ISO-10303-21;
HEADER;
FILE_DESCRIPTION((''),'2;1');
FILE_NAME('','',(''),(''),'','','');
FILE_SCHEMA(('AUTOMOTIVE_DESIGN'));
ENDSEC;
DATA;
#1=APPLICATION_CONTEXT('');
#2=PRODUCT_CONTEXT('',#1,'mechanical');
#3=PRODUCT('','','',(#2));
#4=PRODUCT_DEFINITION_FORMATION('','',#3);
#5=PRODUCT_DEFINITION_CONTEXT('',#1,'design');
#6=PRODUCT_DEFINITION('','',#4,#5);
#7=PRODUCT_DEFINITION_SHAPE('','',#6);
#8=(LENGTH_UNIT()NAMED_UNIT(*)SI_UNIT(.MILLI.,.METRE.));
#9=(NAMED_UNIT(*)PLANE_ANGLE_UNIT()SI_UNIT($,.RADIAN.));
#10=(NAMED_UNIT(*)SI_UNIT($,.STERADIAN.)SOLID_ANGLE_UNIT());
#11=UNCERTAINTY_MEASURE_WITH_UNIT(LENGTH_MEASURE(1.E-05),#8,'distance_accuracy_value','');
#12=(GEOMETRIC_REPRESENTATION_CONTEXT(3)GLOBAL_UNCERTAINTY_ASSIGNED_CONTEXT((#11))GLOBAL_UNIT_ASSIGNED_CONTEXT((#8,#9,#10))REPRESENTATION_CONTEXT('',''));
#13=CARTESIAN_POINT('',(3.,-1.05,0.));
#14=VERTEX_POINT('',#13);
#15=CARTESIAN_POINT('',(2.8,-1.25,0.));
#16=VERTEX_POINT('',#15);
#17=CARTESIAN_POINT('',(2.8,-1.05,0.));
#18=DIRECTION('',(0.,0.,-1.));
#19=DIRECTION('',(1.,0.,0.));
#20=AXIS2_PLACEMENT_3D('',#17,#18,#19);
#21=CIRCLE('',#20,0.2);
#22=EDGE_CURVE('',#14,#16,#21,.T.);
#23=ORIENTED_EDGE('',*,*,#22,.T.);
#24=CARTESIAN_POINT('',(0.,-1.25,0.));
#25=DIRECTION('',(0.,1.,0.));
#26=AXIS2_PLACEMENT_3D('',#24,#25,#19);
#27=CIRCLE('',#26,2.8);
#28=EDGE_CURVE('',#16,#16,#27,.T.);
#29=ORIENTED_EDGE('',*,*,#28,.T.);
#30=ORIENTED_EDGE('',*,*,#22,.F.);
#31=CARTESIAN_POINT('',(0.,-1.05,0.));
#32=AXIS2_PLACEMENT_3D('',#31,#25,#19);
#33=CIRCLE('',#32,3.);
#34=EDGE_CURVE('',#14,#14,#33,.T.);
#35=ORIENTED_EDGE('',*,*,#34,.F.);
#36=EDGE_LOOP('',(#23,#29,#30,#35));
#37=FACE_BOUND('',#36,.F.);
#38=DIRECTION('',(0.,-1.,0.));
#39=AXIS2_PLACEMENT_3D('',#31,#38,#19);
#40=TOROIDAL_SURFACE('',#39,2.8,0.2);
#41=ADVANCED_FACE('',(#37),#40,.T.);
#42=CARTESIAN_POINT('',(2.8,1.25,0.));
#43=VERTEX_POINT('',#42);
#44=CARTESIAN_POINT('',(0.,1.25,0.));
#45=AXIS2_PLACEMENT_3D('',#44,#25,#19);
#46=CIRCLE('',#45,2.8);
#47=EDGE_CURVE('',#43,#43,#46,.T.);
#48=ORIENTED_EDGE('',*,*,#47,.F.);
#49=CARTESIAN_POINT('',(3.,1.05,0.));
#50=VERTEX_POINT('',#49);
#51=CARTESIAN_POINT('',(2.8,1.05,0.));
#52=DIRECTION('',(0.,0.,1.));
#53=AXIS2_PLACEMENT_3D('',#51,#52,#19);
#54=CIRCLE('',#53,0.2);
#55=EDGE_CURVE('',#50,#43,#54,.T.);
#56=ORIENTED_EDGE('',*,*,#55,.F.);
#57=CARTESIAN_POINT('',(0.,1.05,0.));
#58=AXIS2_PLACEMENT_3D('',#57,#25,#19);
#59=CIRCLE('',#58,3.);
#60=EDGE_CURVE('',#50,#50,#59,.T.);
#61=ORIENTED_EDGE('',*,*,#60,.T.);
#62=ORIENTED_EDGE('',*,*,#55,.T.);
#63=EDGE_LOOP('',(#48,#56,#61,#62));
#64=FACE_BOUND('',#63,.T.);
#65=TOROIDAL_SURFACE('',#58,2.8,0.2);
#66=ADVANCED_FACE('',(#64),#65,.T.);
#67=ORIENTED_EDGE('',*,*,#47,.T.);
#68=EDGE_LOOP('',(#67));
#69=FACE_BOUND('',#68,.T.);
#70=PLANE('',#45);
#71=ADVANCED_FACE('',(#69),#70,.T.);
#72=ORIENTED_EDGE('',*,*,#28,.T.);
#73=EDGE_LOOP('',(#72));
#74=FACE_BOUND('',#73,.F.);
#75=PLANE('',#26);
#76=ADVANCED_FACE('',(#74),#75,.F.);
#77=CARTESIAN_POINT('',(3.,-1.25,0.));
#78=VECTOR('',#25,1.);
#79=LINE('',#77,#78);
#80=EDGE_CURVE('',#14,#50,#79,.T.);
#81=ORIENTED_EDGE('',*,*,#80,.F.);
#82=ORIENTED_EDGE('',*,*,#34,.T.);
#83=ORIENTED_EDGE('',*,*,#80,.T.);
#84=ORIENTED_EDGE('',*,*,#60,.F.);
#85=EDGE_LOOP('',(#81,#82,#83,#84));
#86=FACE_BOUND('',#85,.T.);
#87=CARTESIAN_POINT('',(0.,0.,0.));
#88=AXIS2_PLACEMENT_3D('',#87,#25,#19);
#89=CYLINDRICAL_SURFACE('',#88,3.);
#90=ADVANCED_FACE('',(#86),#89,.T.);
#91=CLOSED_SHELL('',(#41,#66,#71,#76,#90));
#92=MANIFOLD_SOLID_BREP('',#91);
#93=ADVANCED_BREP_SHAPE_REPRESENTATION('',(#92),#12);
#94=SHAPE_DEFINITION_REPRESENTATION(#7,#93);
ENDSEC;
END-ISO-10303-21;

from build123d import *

# Parameters (mm, degrees)
SKETCH1_R           = 3
BOSS_EXTRUDE1_DEPTH = 1.25
FILLET1_R           = 0.2


with BuildPart() as part:
    # Sketch1 → Boss-Extrude1 (new body, symmetric)
    with BuildSketch(Plane(origin=(0, 0, 0), x_dir=(1, 0, 0), z_dir=(0, 1, 0))):
        Circle(SKETCH1_R)
    extrude(amount=BOSS_EXTRUDE1_DEPTH, both=True)

    # Fillet1
    fillet1_edges = [part.edges().sort_by_distance(p)[0] for p in [
        (-3, -1.25, 0),
        (-3, 1.25, 0),
    ]]
    fillet(fillet1_edges, radius=FILLET1_R)


solid = part.part
